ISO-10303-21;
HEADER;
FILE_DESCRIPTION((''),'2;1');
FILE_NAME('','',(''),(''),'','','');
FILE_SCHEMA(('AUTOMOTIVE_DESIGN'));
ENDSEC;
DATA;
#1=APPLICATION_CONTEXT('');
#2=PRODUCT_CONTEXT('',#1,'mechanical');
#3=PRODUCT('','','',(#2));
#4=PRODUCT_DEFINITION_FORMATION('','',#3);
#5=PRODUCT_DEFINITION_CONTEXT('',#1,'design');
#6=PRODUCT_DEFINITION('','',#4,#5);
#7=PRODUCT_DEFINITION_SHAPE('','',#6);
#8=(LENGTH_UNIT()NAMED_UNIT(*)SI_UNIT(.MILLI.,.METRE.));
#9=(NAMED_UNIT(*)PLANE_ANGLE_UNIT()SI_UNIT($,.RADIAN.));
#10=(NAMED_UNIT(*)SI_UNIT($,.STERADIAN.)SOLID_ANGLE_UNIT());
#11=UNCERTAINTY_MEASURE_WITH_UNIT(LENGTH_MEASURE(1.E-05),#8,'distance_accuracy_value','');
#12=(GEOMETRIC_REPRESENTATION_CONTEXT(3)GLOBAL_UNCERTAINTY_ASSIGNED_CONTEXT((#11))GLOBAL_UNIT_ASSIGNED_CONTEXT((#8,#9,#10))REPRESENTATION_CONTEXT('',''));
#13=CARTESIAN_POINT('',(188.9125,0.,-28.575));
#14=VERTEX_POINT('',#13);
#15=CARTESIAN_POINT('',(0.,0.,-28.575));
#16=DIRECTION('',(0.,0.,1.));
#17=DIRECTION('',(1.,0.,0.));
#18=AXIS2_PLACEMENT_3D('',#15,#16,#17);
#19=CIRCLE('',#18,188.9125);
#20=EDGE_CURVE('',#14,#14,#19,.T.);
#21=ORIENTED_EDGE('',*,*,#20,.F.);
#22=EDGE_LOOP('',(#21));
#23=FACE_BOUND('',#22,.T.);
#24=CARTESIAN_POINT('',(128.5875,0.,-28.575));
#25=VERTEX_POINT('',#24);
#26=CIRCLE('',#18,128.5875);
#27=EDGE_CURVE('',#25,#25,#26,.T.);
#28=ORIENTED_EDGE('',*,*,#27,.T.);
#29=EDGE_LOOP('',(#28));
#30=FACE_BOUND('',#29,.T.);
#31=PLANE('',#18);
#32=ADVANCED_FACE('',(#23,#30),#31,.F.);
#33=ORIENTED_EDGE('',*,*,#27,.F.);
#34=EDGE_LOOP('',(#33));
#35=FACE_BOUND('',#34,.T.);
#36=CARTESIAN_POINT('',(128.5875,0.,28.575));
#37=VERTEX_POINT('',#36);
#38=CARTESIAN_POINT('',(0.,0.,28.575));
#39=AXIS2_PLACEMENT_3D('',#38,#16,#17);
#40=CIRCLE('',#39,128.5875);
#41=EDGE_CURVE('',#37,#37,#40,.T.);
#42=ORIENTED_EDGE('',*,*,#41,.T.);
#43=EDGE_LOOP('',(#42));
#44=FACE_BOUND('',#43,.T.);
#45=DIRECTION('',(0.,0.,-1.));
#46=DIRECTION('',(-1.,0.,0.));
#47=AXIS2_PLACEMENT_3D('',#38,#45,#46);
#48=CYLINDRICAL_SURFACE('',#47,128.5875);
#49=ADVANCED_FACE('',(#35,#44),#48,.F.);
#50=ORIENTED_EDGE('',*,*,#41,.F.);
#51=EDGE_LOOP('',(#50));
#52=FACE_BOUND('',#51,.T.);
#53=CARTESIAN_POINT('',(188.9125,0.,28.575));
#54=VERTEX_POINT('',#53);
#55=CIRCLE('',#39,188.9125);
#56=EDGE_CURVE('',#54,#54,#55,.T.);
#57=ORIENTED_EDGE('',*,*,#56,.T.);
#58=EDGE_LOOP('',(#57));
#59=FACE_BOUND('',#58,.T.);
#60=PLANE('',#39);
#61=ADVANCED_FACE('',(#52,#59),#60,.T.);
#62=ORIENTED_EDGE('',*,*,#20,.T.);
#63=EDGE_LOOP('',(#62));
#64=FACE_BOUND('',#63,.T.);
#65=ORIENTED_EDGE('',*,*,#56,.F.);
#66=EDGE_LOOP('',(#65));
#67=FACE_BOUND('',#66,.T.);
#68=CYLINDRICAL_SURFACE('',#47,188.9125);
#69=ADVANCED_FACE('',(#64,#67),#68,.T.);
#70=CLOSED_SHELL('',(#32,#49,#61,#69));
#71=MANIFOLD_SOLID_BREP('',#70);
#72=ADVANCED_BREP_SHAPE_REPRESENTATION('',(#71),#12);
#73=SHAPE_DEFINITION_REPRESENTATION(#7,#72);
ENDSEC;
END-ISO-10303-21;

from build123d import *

# Parameters (mm, degrees)
SKETCH1_R           = 188.9125
SKETCH1_R_2         = 128.5875
BOSS_EXTRUDE1_DEPTH = 28.575


with BuildPart() as part:
    # Sketch1 → Boss-Extrude1 (new, symmetric)
    with BuildSketch(Plane(origin=(0, 0, 0), x_dir=(0, 1, 0), z_dir=(0, 0, 1))):
        with Locations(Location((0, 0, 0), (0, 0, 270))):
            Circle(SKETCH1_R)
        with Locations(Location((0, 0, 0), (0, 0, 270))):
            Circle(SKETCH1_R_2, mode=Mode.SUBTRACT)
    extrude(amount=BOSS_EXTRUDE1_DEPTH, both=True)


solid = part.part
